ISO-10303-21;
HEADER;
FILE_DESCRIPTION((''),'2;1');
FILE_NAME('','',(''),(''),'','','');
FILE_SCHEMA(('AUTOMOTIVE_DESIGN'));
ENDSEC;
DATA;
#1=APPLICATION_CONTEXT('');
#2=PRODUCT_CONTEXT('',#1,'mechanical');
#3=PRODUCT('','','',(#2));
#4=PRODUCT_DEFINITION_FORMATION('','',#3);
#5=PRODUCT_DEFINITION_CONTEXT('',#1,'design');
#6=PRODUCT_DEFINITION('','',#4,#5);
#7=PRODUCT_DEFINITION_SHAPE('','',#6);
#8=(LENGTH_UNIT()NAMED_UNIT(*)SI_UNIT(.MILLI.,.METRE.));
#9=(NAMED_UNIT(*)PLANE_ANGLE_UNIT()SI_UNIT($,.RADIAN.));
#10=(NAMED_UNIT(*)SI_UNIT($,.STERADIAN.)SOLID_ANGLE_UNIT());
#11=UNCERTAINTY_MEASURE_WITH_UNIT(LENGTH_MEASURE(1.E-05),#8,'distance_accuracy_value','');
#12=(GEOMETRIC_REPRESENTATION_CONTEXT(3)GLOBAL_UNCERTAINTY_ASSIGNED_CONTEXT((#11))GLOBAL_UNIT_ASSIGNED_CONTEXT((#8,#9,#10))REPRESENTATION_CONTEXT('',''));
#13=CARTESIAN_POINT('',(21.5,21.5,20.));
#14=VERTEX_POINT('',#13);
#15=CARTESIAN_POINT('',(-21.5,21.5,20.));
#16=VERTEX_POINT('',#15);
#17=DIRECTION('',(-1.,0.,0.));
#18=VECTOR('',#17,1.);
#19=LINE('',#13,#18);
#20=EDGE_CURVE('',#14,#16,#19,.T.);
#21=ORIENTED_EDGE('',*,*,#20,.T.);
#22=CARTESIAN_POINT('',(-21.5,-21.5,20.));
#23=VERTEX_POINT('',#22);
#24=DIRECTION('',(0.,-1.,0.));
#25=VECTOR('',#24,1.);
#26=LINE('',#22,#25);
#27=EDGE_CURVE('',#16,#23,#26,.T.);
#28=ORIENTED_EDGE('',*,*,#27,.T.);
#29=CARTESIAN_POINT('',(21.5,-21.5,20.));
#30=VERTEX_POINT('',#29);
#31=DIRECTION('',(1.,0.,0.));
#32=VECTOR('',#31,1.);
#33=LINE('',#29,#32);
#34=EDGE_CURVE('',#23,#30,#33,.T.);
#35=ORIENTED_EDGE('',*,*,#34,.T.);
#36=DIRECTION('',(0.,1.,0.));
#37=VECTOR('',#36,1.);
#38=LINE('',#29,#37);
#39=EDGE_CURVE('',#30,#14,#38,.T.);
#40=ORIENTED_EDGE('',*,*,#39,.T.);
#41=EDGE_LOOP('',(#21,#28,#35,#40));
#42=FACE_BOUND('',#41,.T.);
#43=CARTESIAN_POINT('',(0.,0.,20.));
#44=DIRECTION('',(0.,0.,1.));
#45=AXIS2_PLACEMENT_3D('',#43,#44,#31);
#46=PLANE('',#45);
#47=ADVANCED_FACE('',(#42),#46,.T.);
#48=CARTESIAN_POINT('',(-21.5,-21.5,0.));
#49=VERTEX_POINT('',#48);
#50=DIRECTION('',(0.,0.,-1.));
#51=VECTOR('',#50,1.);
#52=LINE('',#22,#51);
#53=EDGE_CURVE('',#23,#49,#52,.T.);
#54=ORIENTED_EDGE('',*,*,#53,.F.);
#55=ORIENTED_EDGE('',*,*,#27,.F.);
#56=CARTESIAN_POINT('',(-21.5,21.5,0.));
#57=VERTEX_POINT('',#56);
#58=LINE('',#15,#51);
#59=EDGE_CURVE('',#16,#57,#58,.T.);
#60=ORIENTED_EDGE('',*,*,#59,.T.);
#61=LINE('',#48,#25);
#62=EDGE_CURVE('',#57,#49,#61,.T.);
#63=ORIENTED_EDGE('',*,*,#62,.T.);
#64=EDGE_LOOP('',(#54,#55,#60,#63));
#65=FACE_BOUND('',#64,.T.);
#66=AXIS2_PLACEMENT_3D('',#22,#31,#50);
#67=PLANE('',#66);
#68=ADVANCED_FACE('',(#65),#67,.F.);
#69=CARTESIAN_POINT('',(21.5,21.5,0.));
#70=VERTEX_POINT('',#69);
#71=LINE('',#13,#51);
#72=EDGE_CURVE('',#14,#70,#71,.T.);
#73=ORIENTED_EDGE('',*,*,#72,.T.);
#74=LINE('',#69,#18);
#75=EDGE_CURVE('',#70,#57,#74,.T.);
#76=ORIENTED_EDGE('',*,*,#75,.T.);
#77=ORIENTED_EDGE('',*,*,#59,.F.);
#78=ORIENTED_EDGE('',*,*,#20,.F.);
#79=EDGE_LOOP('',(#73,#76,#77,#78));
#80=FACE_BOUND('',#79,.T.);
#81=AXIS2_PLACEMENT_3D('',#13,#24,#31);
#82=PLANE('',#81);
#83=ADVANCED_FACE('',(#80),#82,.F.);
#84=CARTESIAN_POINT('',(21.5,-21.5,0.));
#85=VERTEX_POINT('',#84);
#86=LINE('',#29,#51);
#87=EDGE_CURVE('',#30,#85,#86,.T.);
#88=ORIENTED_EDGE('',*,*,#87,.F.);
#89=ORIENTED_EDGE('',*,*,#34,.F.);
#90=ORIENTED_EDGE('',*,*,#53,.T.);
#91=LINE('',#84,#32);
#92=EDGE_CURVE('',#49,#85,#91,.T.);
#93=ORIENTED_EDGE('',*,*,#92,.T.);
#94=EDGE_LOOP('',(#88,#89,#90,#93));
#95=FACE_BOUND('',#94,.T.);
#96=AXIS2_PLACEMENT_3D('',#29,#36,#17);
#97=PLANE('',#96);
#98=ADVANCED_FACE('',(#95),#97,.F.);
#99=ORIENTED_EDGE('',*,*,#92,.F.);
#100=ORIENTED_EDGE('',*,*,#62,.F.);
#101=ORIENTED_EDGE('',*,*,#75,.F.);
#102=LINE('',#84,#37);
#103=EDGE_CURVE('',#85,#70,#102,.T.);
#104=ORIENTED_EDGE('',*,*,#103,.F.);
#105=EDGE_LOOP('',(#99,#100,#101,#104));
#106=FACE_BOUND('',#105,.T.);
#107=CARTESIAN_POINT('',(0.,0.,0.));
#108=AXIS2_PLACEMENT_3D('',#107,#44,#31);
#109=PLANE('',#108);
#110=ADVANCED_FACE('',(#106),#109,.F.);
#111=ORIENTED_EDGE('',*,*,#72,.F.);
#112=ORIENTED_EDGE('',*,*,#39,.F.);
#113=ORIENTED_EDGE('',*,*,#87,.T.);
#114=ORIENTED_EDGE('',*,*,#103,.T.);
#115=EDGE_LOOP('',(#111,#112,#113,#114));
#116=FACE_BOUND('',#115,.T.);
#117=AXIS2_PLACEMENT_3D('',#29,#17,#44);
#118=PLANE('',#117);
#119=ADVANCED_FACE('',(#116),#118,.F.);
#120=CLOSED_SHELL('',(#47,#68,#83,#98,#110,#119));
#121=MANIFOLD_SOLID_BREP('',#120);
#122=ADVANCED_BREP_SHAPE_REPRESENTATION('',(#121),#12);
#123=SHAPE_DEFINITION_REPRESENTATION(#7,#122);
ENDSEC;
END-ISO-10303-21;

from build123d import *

# Parameters (mm, degrees)
ESBO_O1_W                = 43
ESBO_O1_H                = 43
RESSALTO_EXTRUS_O1_DEPTH = 20


with BuildPart() as part:
    # Esboço1 → Ressalto-extrusão1 (new body)
    with BuildSketch(Plane.XY):
        Rectangle(ESBO_O1_W, ESBO_O1_H)
    extrude(amount=RESSALTO_EXTRUS_O1_DEPTH)


solid = part.part
